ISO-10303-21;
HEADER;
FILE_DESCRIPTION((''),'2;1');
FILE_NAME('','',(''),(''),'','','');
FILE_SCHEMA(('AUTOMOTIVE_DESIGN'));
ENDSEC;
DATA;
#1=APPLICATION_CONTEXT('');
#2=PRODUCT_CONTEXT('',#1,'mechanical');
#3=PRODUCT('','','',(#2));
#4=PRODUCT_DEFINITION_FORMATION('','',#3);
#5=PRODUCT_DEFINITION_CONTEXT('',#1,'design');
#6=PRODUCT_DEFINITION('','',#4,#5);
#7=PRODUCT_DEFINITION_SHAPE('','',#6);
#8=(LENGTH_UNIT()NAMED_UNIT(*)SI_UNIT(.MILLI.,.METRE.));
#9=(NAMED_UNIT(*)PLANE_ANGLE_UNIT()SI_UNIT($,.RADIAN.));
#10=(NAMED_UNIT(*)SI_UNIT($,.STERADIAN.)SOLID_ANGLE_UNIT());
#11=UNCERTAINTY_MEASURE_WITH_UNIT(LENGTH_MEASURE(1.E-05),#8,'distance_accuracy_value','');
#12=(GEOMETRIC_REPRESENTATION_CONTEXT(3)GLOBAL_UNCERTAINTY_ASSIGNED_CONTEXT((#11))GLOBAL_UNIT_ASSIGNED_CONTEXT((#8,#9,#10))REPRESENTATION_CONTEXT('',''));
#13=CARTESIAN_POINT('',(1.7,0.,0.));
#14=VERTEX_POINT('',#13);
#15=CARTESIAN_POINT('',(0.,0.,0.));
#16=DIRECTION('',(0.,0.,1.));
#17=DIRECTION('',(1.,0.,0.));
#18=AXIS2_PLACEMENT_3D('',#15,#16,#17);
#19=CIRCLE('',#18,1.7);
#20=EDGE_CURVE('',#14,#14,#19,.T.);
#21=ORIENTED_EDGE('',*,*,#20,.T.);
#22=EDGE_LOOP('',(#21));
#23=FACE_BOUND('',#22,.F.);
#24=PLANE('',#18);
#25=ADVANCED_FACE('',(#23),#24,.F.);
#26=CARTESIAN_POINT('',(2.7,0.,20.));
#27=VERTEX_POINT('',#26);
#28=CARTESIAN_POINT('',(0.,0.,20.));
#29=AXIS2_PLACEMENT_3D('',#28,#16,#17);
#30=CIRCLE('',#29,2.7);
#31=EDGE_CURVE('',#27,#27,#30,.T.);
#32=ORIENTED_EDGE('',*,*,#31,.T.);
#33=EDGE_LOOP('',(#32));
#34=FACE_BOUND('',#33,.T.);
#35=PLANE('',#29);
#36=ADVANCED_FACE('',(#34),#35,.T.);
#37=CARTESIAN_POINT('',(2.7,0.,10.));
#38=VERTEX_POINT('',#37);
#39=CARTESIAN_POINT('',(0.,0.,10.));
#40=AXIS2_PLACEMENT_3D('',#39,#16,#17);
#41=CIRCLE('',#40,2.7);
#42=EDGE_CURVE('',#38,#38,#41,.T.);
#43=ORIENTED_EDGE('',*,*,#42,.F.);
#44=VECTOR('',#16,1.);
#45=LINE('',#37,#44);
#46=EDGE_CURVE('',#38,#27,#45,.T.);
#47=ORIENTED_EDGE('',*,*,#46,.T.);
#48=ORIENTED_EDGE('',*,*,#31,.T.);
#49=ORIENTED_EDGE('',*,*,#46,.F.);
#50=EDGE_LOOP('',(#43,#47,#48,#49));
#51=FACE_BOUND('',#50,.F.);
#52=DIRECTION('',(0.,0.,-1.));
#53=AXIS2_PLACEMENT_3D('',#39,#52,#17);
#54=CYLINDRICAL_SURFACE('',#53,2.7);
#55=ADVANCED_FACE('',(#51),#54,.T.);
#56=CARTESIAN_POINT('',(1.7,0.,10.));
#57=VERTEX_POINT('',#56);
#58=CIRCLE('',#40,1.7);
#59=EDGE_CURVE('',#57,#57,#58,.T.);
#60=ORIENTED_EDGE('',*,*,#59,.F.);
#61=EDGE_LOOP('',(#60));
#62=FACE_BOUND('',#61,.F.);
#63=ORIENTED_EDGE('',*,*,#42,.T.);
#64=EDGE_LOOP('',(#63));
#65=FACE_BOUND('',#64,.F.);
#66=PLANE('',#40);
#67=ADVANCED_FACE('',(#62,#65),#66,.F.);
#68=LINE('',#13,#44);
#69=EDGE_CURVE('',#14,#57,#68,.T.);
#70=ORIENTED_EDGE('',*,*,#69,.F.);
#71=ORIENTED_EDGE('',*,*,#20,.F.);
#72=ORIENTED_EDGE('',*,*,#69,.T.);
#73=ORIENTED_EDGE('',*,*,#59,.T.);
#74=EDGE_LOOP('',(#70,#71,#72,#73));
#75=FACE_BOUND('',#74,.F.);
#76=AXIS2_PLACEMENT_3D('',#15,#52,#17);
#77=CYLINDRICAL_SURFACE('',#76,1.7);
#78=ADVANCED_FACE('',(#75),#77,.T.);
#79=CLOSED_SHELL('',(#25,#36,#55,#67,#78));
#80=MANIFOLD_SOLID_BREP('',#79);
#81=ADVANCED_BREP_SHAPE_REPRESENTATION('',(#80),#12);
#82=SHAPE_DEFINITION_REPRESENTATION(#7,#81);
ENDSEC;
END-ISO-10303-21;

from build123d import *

# Parameters (mm, degrees)
CYLINDER1020_R     = 2.7
CYLINDER1020_DEPTH = 10
CYLINDER1018_R     = 1.7
CYLINDER1018_DEPTH = 10


with BuildPart() as cylinder1015:
    # Cylinder1020 → Cylinder1020 (new body)
    with BuildSketch(Plane.XY.offset(10)):
        Circle(CYLINDER1020_R)
    extrude(amount=CYLINDER1020_DEPTH)


with BuildPart() as m3bolthead:
    # Cylinder1018 → Cylinder1018 (new body)
    with BuildSketch(Plane.XY):
        Circle(CYLINDER1018_R)
    extrude(amount=CYLINDER1018_DEPTH)

    # Fusion024: union Cylinder1015
    add(cylinder1015.part)


solid = m3bolthead.part
